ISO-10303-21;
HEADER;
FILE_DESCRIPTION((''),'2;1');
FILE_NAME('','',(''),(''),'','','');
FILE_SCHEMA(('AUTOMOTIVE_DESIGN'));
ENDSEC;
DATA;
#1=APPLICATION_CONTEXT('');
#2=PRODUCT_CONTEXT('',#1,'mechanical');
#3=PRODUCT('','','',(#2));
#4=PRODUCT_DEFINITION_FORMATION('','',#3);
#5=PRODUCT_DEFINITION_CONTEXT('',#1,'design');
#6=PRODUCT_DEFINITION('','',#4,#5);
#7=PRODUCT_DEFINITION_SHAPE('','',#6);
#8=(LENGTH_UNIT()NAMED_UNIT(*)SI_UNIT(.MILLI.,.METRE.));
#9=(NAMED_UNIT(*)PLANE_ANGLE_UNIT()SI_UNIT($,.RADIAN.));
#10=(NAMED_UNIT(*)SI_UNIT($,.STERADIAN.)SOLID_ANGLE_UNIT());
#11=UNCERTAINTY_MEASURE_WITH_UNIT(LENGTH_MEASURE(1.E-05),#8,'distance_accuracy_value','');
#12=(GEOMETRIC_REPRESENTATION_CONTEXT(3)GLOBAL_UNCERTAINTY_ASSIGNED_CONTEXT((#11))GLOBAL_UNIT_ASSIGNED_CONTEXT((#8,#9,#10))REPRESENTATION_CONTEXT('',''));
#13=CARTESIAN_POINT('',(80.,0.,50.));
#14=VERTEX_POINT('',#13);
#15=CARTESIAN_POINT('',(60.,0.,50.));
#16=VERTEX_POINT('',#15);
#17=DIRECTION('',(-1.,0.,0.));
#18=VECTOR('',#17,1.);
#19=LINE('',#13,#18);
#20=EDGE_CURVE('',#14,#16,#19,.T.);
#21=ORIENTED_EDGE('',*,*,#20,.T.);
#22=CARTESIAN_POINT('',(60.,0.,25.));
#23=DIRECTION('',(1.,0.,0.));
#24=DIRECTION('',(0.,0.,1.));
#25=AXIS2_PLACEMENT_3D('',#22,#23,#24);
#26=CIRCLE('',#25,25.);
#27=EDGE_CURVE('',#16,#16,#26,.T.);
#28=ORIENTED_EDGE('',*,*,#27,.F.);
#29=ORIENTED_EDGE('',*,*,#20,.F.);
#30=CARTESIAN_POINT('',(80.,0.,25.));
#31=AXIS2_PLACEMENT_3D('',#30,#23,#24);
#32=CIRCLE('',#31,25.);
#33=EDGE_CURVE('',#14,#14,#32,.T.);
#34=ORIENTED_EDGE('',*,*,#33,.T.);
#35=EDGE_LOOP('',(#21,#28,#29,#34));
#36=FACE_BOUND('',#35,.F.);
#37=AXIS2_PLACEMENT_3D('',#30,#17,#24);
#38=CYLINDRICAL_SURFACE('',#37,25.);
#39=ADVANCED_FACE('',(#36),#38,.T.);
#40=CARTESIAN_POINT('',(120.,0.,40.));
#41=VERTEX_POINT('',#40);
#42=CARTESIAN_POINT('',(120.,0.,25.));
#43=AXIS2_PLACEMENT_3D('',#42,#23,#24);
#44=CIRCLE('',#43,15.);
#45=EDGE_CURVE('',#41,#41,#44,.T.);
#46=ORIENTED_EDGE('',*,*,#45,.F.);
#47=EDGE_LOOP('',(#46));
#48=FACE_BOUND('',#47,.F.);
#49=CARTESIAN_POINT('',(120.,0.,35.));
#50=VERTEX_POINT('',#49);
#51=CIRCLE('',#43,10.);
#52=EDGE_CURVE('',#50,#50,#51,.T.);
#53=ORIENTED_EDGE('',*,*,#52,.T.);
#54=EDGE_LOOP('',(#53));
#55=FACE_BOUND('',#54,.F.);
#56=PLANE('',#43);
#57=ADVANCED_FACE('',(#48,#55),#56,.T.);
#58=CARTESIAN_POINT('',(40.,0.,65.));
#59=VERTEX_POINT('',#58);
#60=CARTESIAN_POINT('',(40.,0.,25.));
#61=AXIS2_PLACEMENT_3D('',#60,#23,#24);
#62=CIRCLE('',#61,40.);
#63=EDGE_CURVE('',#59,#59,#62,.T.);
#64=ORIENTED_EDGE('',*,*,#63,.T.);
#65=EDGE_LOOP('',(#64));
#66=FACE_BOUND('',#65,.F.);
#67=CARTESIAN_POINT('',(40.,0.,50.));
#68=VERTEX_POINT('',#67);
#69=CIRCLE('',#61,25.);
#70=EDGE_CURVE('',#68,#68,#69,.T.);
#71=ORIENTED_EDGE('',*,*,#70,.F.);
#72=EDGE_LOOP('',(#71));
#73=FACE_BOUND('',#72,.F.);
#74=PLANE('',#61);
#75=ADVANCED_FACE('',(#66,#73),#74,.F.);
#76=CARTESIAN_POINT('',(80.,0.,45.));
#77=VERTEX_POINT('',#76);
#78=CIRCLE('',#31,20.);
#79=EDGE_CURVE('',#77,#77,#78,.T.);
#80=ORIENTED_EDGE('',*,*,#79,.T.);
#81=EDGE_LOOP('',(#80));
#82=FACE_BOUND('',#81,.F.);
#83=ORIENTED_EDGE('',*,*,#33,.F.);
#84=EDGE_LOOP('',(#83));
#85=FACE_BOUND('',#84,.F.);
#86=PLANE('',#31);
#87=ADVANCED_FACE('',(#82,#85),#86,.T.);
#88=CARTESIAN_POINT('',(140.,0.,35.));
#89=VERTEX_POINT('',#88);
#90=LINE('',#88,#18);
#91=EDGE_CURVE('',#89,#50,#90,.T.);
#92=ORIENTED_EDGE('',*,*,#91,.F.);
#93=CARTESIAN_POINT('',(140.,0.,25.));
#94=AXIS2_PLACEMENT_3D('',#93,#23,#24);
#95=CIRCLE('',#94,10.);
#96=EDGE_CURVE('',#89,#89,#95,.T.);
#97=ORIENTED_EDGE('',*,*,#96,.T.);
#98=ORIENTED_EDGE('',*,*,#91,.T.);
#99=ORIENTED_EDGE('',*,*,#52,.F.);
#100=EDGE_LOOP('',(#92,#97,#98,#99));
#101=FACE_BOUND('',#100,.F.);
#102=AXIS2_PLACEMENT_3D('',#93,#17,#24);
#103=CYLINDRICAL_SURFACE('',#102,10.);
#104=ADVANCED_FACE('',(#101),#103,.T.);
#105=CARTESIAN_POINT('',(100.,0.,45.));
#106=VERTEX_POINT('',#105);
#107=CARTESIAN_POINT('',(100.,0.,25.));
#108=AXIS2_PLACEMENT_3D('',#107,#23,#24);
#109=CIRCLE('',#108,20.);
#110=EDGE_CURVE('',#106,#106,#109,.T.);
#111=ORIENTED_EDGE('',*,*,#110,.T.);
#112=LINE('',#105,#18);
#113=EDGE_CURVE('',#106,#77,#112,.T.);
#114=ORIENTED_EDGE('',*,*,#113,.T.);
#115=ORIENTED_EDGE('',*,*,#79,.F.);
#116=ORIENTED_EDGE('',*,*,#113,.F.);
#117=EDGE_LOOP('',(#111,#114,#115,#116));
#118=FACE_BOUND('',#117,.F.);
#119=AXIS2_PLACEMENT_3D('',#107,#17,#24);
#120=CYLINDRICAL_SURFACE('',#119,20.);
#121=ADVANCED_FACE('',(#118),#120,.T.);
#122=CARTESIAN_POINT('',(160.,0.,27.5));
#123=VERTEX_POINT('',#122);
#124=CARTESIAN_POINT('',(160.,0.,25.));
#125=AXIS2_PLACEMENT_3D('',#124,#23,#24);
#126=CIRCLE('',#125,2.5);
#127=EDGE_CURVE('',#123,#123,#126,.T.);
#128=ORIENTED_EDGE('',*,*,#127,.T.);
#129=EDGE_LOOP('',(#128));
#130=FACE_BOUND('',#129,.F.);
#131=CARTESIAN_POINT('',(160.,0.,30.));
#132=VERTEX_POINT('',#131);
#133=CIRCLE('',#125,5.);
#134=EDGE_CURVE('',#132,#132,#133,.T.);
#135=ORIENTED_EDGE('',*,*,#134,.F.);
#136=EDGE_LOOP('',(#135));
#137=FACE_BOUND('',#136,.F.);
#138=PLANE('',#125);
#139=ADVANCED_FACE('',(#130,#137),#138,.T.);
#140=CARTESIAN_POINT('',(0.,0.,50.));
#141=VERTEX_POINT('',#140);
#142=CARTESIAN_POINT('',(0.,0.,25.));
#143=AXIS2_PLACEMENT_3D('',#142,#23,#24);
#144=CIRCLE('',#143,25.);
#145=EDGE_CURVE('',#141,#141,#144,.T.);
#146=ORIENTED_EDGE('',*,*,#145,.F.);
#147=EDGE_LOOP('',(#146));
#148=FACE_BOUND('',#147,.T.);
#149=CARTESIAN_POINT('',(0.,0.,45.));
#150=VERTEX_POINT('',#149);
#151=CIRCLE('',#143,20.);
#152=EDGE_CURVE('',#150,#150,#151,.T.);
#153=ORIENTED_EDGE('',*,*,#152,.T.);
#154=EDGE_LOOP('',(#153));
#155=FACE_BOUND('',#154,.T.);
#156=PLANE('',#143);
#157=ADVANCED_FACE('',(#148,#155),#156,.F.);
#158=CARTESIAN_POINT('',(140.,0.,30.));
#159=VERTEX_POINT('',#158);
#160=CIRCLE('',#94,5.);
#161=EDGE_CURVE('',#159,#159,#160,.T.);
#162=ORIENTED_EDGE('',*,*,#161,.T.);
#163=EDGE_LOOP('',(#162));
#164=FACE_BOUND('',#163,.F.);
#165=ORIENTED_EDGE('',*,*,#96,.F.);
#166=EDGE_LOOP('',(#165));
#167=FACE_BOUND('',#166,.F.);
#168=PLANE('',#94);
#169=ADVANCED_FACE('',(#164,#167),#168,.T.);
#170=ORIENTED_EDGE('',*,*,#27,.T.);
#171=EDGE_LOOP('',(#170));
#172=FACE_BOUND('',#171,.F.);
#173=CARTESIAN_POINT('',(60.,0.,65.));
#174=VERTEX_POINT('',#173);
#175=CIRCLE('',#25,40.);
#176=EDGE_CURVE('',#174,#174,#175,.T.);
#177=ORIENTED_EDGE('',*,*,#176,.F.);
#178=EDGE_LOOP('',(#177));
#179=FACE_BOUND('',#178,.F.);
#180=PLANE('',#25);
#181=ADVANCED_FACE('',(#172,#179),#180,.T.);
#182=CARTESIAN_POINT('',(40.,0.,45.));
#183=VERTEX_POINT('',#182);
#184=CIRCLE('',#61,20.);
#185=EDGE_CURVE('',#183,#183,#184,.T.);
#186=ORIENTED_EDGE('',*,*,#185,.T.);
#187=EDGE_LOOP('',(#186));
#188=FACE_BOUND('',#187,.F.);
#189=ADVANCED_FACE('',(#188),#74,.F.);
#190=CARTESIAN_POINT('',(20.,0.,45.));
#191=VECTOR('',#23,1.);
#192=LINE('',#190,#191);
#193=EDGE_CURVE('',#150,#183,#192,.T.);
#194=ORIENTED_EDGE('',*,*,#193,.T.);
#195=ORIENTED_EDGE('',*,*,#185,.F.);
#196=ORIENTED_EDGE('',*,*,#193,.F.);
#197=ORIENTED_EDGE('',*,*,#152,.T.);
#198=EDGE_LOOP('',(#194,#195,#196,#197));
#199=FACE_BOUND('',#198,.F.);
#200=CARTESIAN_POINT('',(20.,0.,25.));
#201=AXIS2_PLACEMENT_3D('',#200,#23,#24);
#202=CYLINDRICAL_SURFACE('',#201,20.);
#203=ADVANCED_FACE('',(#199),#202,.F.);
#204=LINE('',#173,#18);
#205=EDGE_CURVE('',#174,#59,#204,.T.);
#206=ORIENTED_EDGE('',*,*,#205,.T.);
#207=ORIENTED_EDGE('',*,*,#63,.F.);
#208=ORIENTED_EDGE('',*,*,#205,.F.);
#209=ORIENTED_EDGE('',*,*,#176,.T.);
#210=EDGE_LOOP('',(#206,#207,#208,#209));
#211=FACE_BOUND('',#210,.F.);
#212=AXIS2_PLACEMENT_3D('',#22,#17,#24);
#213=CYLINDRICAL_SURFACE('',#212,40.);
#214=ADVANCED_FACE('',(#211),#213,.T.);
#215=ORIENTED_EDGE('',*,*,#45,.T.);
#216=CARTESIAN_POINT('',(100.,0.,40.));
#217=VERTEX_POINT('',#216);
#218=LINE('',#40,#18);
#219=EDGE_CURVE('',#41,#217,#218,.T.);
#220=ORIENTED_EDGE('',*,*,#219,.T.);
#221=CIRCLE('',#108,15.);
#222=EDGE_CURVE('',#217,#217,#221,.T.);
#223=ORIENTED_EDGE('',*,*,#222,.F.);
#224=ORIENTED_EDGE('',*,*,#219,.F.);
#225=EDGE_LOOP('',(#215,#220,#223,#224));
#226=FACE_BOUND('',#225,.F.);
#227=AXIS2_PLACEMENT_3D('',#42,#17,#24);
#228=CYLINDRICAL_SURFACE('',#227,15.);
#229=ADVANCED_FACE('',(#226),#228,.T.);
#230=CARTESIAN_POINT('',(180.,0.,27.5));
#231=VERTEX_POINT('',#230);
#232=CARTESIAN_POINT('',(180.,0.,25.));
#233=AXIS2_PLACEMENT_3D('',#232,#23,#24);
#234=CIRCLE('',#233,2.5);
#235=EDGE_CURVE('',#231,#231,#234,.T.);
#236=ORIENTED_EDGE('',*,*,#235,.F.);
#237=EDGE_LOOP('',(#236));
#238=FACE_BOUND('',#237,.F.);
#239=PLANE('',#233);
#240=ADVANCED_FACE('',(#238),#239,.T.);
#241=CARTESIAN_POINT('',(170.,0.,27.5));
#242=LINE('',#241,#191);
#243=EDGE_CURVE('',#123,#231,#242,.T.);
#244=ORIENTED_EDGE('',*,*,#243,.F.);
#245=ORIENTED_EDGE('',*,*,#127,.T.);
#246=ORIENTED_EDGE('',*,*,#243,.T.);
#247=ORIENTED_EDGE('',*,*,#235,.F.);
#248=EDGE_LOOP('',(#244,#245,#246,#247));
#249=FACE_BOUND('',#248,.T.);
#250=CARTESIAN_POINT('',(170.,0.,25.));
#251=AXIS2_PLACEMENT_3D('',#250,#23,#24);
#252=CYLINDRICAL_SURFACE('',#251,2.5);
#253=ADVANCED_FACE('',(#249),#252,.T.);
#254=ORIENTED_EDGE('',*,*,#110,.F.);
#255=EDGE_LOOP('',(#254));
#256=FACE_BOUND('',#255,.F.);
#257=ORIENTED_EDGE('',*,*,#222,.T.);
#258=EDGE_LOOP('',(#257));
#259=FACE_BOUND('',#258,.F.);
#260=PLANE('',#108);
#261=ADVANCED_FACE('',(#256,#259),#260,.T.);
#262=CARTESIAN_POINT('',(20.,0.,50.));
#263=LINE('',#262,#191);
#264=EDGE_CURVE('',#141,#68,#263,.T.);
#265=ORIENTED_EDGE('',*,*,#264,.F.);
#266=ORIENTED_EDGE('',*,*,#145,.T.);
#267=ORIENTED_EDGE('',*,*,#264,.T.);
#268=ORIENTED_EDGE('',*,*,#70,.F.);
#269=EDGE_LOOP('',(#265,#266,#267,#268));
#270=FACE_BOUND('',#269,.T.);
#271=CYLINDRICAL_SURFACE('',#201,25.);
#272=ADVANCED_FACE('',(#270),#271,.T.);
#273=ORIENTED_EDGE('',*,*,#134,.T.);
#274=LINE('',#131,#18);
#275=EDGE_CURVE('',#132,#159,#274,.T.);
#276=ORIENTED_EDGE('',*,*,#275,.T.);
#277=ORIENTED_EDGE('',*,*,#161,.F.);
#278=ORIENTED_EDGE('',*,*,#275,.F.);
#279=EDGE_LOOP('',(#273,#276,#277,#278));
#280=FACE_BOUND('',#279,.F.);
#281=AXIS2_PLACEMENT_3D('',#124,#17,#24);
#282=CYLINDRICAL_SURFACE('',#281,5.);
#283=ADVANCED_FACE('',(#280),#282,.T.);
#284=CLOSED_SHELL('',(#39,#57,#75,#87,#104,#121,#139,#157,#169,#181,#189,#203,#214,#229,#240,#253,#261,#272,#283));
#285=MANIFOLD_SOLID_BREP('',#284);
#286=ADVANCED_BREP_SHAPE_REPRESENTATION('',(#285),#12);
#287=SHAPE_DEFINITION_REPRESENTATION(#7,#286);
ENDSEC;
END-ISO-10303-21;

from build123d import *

# Parameters (mm, degrees)
F0_W   = 40
F0_H   = 5
F0_W_2 = 20
F0_H_2 = 2.5


with BuildPart() as f1:
    # F0 (on Front) → F1 (revolve)
    with BuildSketch(Plane.XZ):
        with Locations((20, 47.5)):
            Rectangle(F0_W, F0_H)
        Polygon((40, 45), (40, 25), (60, 25), (60, 50), (60, 65), (40, 65), (40, 50), align=None)
        Polygon((60, 50), (60, 25), (80, 25), (80, 45), (80, 50), align=None)
        Polygon((80, 45), (80, 25), (100, 25), (100, 40), (100, 45), align=None)
        Polygon((100, 40), (100, 25), (120, 25), (120, 35), (120, 40), align=None)
        Polygon((120, 35), (120, 25), (140, 25), (140, 30), (140, 35), align=None)
        Polygon((140, 30), (140, 25), (160, 25), (160, 27.5), (160, 30), align=None)
        with Locations((170, 26.25)):
            Rectangle(F0_W_2, F0_H_2)
    revolve(axis=Axis((90, 0, 25), (1, 0, 0)))


solid = f1.part
